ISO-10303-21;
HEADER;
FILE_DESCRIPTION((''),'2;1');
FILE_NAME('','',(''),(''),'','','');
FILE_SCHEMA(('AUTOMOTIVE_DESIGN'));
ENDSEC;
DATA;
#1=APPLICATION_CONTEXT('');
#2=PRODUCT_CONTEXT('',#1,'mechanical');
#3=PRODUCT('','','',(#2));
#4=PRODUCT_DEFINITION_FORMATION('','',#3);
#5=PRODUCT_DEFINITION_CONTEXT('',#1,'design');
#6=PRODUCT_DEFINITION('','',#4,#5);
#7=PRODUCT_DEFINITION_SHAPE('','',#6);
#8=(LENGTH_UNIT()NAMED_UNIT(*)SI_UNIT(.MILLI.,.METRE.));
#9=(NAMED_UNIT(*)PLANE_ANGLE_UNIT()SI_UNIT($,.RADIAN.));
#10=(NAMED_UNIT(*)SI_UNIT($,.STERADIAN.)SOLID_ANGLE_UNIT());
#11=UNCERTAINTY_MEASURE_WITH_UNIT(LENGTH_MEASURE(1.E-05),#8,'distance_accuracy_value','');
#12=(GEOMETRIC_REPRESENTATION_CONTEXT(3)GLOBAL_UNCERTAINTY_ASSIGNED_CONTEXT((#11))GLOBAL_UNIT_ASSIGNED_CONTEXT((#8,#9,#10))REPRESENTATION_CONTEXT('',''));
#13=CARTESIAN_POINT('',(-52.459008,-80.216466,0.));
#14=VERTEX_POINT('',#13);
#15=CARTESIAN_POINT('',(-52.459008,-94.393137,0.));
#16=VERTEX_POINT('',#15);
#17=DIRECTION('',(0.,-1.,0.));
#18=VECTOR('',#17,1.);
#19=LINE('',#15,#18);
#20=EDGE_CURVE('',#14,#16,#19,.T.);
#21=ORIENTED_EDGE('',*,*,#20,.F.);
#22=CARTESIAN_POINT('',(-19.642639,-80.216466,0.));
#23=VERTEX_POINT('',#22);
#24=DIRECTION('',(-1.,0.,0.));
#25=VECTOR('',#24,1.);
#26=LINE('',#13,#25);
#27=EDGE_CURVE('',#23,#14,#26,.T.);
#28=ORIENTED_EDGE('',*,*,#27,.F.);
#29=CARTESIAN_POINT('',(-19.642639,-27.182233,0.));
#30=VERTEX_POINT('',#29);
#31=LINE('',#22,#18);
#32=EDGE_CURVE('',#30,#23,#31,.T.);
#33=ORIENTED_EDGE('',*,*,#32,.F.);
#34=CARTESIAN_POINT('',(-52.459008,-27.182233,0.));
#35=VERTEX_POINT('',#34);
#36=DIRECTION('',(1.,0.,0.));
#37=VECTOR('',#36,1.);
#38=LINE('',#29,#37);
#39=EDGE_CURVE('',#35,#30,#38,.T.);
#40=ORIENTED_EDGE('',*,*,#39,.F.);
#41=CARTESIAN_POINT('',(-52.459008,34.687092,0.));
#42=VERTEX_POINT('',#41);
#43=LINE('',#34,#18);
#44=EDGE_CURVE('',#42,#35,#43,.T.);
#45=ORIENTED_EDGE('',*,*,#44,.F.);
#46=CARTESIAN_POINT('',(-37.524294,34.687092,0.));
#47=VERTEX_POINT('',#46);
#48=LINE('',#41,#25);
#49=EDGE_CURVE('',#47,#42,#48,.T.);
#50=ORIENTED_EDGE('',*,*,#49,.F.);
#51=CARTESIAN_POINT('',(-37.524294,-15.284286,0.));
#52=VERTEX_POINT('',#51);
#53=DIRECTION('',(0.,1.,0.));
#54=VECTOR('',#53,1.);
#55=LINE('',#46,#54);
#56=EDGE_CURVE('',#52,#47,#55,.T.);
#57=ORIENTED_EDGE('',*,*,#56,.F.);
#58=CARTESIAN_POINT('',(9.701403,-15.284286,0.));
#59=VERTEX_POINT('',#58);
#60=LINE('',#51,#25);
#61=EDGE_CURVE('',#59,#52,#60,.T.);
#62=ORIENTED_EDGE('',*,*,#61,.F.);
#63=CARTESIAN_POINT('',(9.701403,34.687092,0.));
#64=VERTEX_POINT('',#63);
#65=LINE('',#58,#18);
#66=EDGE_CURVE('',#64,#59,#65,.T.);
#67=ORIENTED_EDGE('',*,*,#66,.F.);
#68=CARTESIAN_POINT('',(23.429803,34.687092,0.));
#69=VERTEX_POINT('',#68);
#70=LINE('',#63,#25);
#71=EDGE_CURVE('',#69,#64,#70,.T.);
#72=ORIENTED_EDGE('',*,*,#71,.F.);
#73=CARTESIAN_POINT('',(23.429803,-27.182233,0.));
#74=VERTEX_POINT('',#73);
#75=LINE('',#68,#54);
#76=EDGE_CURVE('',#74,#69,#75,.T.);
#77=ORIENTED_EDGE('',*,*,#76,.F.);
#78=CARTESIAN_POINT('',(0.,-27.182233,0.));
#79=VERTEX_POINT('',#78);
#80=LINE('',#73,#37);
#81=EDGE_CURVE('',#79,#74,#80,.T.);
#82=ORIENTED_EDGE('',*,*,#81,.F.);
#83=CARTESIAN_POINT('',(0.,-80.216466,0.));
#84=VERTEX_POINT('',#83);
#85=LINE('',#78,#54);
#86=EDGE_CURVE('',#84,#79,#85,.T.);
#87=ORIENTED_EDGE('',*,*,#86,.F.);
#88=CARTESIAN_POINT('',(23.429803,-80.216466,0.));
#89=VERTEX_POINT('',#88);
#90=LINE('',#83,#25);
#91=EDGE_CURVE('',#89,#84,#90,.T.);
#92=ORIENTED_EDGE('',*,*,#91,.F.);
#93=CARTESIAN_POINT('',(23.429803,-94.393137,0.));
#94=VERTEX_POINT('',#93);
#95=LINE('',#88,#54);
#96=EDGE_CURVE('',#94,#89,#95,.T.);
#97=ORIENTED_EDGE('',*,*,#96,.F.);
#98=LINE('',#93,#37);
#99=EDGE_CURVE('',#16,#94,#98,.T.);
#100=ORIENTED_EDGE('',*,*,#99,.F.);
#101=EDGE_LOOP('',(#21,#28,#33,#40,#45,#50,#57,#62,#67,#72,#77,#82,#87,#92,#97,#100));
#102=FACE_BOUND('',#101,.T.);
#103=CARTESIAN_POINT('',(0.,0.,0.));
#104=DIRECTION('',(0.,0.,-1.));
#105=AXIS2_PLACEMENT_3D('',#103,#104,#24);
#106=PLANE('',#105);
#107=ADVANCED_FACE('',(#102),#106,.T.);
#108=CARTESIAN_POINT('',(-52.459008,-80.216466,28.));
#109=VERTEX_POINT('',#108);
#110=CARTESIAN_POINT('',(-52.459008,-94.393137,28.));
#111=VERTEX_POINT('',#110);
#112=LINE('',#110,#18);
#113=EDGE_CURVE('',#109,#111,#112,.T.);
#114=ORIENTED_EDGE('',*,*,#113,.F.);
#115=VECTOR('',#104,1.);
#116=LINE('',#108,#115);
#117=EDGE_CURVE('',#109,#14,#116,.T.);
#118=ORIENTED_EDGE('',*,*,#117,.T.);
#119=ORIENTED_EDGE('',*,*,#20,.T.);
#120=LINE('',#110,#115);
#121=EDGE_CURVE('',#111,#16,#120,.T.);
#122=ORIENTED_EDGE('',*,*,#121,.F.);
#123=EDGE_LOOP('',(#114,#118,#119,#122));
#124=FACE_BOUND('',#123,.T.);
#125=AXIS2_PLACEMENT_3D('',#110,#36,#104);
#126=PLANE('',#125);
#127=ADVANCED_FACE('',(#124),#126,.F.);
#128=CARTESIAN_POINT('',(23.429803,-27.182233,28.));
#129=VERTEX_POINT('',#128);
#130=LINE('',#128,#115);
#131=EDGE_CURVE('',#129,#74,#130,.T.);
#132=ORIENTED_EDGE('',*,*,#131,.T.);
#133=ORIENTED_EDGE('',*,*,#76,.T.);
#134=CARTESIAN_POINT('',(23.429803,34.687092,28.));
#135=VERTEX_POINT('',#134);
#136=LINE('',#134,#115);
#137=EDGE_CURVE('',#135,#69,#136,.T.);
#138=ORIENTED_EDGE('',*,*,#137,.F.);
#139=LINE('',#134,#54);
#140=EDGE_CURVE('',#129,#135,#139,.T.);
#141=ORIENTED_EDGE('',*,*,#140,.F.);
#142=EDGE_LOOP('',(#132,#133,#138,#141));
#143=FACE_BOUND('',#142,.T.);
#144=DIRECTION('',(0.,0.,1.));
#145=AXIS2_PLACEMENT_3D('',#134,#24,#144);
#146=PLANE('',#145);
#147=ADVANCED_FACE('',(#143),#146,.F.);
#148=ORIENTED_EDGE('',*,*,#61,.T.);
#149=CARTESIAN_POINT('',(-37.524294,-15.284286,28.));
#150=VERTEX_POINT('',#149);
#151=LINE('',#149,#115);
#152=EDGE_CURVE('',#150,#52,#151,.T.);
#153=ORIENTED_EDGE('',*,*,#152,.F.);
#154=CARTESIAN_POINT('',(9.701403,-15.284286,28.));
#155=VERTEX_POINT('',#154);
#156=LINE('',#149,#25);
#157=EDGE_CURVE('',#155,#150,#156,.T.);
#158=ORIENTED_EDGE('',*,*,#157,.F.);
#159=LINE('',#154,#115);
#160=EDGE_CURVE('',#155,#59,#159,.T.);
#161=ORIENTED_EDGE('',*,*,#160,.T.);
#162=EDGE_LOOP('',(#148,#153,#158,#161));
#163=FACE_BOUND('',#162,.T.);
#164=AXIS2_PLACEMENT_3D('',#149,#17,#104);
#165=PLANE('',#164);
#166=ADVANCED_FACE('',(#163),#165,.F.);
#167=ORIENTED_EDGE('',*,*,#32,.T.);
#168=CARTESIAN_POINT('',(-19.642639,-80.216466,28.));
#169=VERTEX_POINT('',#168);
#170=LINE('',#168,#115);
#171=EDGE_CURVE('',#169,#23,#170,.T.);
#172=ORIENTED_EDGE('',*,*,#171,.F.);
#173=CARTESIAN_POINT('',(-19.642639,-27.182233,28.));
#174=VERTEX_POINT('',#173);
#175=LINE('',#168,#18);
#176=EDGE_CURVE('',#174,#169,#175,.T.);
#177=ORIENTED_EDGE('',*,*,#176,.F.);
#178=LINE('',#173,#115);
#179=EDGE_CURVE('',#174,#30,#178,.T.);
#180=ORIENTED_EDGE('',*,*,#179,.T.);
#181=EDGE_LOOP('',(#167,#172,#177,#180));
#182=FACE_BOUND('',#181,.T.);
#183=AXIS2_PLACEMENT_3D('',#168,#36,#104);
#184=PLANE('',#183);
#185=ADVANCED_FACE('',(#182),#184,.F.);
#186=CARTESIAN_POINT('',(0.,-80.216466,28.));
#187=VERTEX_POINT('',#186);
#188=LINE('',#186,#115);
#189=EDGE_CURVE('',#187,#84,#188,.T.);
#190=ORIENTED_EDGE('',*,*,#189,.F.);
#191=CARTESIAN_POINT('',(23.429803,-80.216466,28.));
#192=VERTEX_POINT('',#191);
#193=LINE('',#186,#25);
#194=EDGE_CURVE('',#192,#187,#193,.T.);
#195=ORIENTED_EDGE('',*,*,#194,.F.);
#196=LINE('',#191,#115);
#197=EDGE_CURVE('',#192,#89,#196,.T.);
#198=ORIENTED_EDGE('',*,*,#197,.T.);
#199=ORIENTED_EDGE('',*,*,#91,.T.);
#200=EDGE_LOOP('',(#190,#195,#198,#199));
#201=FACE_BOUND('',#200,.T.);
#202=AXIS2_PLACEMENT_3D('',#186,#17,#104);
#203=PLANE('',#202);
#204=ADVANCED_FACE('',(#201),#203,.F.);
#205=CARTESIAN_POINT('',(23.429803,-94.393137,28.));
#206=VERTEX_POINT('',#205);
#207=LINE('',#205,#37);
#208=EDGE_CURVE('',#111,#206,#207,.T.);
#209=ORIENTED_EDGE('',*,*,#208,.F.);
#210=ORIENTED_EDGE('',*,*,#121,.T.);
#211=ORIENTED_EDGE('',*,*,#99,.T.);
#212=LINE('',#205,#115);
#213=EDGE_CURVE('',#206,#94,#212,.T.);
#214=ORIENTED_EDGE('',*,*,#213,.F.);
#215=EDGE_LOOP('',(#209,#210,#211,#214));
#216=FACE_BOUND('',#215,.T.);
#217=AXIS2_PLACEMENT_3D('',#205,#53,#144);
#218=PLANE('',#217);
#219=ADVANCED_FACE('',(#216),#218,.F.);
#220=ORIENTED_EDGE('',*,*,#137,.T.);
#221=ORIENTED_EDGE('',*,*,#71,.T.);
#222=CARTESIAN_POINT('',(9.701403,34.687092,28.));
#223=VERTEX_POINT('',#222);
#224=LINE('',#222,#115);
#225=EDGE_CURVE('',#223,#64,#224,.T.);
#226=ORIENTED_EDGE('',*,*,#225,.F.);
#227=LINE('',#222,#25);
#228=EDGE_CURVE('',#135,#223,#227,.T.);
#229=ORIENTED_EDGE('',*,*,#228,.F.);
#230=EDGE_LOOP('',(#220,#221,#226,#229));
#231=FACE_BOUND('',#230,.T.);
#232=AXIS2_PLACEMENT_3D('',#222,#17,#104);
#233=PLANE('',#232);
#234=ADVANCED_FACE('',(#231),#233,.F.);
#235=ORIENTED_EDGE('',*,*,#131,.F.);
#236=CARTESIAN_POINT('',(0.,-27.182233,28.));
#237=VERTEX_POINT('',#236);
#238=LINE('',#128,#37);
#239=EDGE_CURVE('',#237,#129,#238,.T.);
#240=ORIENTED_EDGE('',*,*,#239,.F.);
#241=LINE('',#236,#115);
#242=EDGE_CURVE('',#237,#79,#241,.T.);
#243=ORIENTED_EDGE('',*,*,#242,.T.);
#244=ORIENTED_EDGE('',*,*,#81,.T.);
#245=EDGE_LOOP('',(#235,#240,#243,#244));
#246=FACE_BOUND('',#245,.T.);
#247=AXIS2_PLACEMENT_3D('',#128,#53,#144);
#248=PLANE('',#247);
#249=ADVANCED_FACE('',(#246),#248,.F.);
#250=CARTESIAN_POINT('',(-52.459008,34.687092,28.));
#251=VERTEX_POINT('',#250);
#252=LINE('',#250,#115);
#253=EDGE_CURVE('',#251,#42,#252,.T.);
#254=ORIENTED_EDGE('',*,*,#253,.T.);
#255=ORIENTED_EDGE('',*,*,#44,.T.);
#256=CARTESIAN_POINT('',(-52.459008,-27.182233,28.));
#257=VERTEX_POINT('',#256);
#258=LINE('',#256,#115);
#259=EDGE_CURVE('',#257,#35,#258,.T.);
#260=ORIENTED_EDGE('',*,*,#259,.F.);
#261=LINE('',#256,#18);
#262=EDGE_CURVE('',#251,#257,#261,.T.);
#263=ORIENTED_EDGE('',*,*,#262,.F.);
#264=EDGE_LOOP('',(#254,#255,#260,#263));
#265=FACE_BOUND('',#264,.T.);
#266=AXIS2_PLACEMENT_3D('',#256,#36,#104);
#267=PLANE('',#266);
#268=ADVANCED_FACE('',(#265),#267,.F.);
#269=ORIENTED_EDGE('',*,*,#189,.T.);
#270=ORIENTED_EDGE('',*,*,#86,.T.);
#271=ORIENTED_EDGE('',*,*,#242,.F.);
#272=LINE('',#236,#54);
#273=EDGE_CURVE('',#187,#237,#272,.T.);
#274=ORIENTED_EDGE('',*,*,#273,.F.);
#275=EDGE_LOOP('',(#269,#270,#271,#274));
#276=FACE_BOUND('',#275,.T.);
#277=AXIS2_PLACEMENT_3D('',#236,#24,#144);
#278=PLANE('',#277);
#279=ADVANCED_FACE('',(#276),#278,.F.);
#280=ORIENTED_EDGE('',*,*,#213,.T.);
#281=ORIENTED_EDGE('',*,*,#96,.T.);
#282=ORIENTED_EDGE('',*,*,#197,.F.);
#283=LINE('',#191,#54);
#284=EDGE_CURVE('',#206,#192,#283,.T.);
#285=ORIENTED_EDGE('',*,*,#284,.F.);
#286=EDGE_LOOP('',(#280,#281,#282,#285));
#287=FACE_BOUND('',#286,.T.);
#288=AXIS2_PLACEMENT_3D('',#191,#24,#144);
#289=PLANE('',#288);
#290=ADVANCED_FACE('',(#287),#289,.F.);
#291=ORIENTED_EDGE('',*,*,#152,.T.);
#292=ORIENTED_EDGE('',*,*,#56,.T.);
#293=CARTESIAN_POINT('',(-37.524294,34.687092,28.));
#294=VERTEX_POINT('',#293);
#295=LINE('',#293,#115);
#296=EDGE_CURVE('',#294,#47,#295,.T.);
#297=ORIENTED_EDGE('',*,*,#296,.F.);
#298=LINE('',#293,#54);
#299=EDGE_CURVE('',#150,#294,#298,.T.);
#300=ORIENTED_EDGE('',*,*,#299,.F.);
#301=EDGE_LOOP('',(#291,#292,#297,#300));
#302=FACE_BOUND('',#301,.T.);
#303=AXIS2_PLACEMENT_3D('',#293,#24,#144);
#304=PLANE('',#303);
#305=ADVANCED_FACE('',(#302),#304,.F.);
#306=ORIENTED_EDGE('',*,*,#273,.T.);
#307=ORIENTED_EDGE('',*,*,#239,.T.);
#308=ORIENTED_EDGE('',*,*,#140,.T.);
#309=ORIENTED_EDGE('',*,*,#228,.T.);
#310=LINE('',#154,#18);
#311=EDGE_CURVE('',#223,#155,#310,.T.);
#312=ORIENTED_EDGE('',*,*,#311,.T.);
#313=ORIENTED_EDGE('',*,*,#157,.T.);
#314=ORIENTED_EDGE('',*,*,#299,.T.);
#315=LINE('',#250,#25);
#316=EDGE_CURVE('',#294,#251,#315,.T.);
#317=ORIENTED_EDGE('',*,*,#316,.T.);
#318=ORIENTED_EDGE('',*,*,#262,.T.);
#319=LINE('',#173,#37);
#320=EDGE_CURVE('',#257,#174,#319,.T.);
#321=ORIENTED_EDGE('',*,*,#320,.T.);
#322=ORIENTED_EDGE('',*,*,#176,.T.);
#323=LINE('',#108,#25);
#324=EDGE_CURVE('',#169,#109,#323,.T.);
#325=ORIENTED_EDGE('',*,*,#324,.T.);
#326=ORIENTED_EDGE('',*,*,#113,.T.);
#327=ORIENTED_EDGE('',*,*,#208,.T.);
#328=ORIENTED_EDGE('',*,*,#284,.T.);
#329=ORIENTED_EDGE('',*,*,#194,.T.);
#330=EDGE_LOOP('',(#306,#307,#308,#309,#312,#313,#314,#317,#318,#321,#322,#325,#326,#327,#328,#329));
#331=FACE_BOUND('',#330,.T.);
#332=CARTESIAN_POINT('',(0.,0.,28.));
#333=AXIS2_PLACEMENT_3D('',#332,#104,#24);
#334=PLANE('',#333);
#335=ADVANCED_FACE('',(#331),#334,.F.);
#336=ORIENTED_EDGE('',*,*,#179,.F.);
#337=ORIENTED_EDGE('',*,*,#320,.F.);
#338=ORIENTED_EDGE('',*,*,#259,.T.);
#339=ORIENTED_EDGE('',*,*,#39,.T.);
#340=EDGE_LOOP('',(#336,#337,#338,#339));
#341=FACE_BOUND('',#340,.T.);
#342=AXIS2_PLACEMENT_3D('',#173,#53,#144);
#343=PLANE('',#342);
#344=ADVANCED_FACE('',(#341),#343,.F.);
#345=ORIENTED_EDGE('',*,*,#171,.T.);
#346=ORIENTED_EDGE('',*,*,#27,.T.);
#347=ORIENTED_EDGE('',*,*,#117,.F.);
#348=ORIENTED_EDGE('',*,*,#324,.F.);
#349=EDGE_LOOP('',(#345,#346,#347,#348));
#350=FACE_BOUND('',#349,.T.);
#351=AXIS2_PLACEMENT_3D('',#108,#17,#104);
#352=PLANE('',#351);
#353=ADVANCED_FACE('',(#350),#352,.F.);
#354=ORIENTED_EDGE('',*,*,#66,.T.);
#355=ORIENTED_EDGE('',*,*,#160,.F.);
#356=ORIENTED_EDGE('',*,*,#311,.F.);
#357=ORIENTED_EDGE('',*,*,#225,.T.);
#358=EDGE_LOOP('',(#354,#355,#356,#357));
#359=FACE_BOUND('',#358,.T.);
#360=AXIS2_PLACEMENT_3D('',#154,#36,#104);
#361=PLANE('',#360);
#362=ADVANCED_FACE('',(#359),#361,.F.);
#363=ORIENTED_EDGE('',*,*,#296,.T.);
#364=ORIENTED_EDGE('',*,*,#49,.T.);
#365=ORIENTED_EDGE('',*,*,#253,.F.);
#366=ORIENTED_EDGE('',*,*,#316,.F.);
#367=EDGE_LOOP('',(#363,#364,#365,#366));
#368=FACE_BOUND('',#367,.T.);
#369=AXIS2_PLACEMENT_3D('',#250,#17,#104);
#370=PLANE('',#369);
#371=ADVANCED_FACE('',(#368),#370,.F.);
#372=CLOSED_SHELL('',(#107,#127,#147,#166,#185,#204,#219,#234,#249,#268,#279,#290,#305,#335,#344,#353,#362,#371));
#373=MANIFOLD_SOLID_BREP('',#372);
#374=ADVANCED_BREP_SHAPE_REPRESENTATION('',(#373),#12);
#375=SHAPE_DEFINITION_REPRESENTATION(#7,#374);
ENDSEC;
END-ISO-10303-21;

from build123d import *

# Parameters (mm, degrees)
BOSS_EXTRUDE1_DEPTH = 28


with BuildPart() as part:
    # Sketch2 → Boss-Extrude1 (new body)
    with BuildSketch(Plane.XY):
        Polygon((-37.524294488, 34.687091734), (-37.524294488, -15.284285804), (9.701402965, -15.284285804), (9.701402965, 34.687091734), (23.429803388, 34.687091734), (23.429803388, -27.182232837), (0, -27.182232837), (0, -80.216465931), (23.429803388, -80.216465931), (23.429803388, -94.393137067), (-52.459007625, -94.393137067), (-52.459007625, -80.216465931), (-19.642639255, -80.216465931), (-19.642639255, -27.182232837), (-52.459007625, -27.182232837), (-52.459007625, 34.687091734), align=None)
    extrude(amount=BOSS_EXTRUDE1_DEPTH)


solid = part.part
